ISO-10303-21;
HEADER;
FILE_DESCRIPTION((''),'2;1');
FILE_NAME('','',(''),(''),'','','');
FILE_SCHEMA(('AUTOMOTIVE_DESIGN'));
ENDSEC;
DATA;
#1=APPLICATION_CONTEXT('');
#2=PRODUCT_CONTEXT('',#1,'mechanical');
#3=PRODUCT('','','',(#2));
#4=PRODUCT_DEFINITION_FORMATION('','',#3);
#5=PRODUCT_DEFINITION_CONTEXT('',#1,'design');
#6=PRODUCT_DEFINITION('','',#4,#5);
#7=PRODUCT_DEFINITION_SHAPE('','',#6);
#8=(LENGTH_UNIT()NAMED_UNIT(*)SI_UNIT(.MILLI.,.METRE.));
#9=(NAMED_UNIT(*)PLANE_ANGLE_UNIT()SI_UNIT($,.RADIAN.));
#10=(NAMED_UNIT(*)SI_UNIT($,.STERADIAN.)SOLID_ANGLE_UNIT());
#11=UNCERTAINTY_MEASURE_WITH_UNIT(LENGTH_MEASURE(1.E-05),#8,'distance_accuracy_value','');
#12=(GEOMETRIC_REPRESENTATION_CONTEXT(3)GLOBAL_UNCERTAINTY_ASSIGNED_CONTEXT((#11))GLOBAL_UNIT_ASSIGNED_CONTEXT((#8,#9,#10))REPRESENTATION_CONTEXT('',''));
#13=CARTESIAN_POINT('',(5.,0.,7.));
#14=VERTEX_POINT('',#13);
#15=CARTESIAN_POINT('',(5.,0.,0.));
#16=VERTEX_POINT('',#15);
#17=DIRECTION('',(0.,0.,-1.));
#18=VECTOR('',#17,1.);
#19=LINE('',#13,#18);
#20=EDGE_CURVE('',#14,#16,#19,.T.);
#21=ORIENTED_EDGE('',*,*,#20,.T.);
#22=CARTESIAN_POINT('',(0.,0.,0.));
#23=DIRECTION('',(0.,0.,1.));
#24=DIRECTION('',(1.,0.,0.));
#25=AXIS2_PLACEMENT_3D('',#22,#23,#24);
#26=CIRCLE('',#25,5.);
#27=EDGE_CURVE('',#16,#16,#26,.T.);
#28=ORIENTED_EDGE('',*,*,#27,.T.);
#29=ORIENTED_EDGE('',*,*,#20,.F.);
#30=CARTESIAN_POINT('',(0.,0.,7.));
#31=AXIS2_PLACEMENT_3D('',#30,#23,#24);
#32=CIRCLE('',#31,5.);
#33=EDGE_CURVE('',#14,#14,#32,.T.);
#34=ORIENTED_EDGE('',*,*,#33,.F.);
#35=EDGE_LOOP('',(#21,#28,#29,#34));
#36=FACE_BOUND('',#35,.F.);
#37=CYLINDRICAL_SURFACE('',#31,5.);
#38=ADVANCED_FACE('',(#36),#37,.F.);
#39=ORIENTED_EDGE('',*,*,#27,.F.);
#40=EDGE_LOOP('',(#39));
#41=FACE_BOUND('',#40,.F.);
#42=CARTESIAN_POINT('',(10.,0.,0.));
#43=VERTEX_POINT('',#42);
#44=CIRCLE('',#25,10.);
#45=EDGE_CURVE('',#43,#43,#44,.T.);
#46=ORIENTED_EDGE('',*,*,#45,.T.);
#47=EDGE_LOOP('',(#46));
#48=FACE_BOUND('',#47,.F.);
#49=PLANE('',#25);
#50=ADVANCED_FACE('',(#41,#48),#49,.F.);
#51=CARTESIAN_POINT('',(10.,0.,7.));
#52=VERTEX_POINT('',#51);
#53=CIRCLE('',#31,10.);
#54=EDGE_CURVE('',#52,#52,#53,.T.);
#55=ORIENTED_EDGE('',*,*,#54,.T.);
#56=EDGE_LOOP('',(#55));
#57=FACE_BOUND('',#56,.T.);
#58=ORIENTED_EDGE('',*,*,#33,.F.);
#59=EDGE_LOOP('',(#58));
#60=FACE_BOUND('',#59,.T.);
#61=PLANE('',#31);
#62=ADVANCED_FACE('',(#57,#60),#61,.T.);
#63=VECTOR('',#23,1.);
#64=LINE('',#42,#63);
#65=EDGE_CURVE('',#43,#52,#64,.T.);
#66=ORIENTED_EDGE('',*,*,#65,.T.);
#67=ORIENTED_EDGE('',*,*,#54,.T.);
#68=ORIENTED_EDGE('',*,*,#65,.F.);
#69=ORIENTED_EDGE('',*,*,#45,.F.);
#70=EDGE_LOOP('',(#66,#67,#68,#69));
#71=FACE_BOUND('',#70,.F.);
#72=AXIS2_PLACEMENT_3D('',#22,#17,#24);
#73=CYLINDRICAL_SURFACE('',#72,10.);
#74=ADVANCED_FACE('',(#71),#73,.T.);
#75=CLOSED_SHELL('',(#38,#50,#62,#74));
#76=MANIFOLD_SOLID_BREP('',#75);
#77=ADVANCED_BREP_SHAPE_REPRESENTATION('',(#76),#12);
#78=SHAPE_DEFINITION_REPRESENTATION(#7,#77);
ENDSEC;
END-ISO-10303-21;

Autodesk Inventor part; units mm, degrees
ref_plane "YZ Plane" through (0, 0, 0) normal (1, 0, 0) x (0, 1, 0)
ref_plane "XZ Plane" through (0, 0, 0) normal (0, 1, 0) x (-1, 0, 0)
ref_plane "XY Plane" through (0, 0, 0) normal (0, 0, 1) x (1, 0, 0)
sketch "Esquisse1" plane through (0, 0, 0) normal (0, 0, 1) x (1, 0, 0)
  circle A0 centre (0, 0) radius 10
  dimension "d0" = 20
extrude "Extrusion1" add sketch "Esquisse1" along normal blind 7
sketch "Esquisse2" plane through (0, 0, 7) normal (0, 0, 1) x (1, 0, 0)
  circle A0 centre (0, 0) radius 5
  dimension "d3" = 10
extrude "Extrusion2" cut sketch "Esquisse2" against normal blind 7
properties part number "Arm rotation" material "Plastique ABS"
